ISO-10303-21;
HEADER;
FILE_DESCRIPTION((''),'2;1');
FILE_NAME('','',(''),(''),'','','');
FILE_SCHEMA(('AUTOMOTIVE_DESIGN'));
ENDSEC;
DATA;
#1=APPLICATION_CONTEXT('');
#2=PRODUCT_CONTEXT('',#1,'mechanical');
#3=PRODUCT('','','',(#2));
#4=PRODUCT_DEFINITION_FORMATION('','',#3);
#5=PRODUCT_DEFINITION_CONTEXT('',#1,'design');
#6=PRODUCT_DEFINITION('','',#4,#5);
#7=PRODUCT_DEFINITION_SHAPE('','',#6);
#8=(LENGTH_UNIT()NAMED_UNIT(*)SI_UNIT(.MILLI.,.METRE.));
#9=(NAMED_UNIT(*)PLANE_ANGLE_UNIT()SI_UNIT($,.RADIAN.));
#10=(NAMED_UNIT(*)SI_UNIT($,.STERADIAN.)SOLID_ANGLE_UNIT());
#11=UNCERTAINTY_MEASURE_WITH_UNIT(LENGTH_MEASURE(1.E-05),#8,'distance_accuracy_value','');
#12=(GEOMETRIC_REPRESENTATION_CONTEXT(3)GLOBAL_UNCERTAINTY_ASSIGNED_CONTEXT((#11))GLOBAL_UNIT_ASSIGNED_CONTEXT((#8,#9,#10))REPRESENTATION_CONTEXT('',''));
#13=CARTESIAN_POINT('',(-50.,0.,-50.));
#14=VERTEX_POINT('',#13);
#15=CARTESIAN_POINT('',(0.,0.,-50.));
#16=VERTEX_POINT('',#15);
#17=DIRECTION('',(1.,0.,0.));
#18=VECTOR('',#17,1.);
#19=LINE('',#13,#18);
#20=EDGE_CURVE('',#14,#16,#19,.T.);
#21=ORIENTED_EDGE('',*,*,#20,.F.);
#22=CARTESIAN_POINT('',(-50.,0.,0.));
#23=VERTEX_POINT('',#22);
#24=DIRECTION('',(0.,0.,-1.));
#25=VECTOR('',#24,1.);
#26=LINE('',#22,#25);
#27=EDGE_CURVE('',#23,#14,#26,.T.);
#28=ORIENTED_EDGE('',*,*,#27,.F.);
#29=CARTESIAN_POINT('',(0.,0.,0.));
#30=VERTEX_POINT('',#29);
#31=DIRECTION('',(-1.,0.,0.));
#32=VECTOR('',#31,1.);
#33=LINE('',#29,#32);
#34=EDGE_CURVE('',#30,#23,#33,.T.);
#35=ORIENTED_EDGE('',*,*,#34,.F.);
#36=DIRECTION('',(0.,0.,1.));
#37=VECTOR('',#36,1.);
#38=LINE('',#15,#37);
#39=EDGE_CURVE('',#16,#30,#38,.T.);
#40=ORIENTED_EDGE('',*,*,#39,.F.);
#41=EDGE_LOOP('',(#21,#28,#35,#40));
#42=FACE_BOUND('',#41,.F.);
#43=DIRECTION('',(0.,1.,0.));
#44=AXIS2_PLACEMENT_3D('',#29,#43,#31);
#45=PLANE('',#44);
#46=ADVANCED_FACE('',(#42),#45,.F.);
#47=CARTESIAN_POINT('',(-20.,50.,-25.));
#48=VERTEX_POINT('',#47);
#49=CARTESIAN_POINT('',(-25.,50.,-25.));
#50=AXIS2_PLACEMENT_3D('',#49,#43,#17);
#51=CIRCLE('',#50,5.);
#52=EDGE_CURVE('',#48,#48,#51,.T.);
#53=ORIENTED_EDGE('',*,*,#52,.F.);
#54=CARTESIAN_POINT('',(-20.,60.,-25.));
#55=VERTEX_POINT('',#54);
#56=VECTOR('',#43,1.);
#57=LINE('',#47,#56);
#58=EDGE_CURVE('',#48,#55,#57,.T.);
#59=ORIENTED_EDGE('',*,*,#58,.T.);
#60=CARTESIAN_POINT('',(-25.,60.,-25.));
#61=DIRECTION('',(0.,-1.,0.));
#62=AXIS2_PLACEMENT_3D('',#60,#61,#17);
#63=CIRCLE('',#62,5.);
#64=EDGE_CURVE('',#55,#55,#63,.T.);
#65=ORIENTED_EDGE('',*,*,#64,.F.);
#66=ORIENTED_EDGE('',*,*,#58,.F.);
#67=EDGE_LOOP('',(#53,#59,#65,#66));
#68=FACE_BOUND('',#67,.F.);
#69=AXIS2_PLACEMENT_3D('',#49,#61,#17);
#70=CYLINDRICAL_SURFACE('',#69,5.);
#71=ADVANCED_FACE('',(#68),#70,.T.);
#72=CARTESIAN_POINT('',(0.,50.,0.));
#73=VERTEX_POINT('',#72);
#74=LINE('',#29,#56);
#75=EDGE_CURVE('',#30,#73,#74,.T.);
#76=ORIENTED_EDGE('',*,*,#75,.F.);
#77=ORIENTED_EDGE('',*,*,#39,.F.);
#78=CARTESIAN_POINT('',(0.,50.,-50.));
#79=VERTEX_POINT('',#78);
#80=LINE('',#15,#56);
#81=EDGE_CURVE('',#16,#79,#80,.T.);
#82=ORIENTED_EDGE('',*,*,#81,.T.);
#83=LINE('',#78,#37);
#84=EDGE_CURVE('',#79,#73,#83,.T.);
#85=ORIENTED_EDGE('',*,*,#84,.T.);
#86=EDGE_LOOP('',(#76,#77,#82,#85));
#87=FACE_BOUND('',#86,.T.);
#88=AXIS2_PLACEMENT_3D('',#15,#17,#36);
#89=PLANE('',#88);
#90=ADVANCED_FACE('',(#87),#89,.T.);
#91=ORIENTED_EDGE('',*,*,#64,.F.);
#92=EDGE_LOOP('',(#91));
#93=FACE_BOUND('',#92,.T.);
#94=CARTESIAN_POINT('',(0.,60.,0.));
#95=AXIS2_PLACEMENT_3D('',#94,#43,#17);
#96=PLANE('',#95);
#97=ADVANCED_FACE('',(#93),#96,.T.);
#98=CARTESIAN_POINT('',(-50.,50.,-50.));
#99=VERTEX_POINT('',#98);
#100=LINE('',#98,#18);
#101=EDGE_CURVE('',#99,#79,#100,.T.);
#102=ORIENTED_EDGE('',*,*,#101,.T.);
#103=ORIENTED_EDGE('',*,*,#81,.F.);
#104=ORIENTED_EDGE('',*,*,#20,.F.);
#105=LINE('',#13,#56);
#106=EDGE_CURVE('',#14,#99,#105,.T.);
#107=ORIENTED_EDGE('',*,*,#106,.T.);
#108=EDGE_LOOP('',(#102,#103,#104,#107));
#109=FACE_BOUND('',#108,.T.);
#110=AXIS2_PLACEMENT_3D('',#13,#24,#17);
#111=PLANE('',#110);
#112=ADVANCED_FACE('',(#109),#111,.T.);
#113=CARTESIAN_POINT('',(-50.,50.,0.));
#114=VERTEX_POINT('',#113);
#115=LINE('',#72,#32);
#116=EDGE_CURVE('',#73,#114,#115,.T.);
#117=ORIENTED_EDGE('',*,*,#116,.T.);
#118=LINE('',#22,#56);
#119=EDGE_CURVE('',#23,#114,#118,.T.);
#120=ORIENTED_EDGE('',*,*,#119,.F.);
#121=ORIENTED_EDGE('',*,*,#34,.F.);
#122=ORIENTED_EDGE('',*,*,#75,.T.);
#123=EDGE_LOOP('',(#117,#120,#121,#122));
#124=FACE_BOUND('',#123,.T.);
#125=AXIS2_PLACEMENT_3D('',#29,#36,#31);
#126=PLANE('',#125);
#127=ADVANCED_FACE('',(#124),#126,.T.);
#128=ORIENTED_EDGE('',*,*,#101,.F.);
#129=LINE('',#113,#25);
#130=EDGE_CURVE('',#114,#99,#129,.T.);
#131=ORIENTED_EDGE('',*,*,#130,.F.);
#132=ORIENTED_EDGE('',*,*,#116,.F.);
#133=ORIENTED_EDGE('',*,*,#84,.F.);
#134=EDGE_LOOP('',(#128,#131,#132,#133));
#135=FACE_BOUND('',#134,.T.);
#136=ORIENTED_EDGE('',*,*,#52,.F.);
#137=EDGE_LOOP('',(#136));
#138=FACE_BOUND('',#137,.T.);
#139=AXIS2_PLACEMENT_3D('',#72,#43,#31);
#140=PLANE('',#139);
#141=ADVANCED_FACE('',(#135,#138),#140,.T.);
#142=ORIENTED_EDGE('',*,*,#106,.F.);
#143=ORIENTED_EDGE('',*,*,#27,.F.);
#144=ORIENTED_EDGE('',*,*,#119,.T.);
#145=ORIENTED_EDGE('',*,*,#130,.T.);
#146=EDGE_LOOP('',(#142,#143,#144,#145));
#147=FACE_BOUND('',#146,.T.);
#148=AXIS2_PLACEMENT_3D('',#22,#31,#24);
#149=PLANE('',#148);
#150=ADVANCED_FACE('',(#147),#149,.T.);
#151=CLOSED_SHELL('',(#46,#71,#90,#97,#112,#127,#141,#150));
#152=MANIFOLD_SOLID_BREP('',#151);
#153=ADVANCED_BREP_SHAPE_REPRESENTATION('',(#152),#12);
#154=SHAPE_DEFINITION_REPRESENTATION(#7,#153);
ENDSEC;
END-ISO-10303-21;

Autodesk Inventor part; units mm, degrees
ref_plane "YZ Plane" through (0, 0, 0) normal (1, 0, 0) x (0, 1, 0)
ref_plane "XZ Plane" through (0, 0, 0) normal (0, 1, 0) x (-1, 0, 0)
ref_plane "XY Plane" through (0, 0, 0) normal (0, 0, 1) x (1, 0, 0)
sketch "Esboço1" plane through (0, 0, 0) normal (0, 1, 0) x (-1, 0, 0)
  line L0 (0, 0) -> (50, 0)
  line L1 (50, 0) -> (50, -50)
  line L2 (50, -50) -> (0, -50)
  line L3 (0, -50) -> (0, 0)
  dimension "d0" = 50
  dimension "d1" = 50
extrude "Extrusão1" add sketch "Esboço1" along normal blind 50
sketch "Esboço2" plane through (0, 50, 0) normal (0, 1, 0) x (1, 0, 0)
  line L0 (0, 0) -> (0, 50) projected
  line L1 (0, 25) -> (-29.0477, 25)
  line L2 (-50, 0) -> (0, 0) projected
  line L3 (-25, 0) -> (-25, 29.6188)
  circle A0 centre (-25, 25) radius 5
  dimension "d4" = 10
extrude "Extrusão2" add sketch "Esboço2" along normal blind 10 contours A0 L3 L1 | L1 L3 A0
properties part number "Inferior"
